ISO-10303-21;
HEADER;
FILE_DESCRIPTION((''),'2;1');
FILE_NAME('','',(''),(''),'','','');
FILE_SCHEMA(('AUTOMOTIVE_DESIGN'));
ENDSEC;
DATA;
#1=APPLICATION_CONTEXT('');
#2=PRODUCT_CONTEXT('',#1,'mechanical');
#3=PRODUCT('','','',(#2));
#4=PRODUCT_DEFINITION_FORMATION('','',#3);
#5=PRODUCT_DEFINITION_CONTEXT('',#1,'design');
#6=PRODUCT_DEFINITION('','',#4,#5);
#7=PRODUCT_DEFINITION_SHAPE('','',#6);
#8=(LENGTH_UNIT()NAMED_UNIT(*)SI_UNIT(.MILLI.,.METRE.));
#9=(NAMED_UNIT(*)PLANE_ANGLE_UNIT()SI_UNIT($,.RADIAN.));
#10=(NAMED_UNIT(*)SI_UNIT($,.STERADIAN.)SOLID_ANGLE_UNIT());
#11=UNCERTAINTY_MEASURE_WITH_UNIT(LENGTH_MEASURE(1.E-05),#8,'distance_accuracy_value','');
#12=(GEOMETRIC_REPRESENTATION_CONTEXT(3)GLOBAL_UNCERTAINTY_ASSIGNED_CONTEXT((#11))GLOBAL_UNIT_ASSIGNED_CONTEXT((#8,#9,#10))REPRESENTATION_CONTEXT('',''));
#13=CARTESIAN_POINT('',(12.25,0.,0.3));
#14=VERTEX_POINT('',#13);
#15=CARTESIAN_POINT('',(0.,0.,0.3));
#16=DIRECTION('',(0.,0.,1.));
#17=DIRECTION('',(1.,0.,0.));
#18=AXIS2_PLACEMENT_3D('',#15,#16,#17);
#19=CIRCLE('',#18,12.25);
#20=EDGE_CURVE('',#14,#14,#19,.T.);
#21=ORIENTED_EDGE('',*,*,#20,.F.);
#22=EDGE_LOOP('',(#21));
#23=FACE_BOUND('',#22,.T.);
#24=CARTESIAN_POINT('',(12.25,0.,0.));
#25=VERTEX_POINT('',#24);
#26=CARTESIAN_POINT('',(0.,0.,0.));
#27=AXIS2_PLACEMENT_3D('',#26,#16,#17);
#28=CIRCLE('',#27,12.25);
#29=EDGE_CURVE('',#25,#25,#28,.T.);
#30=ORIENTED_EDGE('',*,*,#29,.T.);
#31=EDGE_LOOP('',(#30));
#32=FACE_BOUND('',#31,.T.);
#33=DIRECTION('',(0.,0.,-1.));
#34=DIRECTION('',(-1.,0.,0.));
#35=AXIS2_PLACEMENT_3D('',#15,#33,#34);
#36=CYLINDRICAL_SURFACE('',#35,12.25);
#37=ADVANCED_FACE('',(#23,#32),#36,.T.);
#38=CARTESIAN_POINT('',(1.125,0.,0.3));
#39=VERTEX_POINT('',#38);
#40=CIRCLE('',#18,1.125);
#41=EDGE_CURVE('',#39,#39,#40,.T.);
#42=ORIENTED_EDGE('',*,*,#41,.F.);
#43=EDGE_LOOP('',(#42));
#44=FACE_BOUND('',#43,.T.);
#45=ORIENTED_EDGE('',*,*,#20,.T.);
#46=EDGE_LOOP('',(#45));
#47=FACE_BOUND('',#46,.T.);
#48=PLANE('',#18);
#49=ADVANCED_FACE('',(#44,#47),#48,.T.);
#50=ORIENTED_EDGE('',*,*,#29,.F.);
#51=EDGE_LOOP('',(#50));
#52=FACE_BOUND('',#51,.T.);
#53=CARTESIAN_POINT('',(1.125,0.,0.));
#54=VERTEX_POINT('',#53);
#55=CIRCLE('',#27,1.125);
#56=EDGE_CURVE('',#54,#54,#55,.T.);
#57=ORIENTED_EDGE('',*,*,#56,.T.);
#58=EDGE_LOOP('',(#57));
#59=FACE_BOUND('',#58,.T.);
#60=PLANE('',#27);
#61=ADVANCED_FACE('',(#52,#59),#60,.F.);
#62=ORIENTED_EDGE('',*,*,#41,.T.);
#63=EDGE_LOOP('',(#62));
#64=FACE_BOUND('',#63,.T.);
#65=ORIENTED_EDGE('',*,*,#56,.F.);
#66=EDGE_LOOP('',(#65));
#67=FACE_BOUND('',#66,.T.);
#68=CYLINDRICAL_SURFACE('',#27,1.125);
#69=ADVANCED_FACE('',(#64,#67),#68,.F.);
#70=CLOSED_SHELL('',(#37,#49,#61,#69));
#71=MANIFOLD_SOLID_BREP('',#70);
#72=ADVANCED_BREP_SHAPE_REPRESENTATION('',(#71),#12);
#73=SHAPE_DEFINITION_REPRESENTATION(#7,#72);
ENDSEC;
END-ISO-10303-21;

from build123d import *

# Parameters (mm, degrees)
SKETCH1_R           = 12.25
BOSS_EXTRUDE1_DEPTH = 0.3
SKETCH2_R           = 1.125
CUT_EXTRUDE1_DEPTH  = 0.3


with BuildPart() as part:
    # Sketch1 → Boss-Extrude1 (new body)
    with BuildSketch(Plane.XY):
        Circle(SKETCH1_R)
    extrude(amount=BOSS_EXTRUDE1_DEPTH)

    # Sketch2 → Cut-Extrude1 (cut)
    with BuildSketch(Plane.XY.offset(0.3)):
        Circle(SKETCH2_R)
    extrude(amount=-CUT_EXTRUDE1_DEPTH, mode=Mode.SUBTRACT)


solid = part.part
